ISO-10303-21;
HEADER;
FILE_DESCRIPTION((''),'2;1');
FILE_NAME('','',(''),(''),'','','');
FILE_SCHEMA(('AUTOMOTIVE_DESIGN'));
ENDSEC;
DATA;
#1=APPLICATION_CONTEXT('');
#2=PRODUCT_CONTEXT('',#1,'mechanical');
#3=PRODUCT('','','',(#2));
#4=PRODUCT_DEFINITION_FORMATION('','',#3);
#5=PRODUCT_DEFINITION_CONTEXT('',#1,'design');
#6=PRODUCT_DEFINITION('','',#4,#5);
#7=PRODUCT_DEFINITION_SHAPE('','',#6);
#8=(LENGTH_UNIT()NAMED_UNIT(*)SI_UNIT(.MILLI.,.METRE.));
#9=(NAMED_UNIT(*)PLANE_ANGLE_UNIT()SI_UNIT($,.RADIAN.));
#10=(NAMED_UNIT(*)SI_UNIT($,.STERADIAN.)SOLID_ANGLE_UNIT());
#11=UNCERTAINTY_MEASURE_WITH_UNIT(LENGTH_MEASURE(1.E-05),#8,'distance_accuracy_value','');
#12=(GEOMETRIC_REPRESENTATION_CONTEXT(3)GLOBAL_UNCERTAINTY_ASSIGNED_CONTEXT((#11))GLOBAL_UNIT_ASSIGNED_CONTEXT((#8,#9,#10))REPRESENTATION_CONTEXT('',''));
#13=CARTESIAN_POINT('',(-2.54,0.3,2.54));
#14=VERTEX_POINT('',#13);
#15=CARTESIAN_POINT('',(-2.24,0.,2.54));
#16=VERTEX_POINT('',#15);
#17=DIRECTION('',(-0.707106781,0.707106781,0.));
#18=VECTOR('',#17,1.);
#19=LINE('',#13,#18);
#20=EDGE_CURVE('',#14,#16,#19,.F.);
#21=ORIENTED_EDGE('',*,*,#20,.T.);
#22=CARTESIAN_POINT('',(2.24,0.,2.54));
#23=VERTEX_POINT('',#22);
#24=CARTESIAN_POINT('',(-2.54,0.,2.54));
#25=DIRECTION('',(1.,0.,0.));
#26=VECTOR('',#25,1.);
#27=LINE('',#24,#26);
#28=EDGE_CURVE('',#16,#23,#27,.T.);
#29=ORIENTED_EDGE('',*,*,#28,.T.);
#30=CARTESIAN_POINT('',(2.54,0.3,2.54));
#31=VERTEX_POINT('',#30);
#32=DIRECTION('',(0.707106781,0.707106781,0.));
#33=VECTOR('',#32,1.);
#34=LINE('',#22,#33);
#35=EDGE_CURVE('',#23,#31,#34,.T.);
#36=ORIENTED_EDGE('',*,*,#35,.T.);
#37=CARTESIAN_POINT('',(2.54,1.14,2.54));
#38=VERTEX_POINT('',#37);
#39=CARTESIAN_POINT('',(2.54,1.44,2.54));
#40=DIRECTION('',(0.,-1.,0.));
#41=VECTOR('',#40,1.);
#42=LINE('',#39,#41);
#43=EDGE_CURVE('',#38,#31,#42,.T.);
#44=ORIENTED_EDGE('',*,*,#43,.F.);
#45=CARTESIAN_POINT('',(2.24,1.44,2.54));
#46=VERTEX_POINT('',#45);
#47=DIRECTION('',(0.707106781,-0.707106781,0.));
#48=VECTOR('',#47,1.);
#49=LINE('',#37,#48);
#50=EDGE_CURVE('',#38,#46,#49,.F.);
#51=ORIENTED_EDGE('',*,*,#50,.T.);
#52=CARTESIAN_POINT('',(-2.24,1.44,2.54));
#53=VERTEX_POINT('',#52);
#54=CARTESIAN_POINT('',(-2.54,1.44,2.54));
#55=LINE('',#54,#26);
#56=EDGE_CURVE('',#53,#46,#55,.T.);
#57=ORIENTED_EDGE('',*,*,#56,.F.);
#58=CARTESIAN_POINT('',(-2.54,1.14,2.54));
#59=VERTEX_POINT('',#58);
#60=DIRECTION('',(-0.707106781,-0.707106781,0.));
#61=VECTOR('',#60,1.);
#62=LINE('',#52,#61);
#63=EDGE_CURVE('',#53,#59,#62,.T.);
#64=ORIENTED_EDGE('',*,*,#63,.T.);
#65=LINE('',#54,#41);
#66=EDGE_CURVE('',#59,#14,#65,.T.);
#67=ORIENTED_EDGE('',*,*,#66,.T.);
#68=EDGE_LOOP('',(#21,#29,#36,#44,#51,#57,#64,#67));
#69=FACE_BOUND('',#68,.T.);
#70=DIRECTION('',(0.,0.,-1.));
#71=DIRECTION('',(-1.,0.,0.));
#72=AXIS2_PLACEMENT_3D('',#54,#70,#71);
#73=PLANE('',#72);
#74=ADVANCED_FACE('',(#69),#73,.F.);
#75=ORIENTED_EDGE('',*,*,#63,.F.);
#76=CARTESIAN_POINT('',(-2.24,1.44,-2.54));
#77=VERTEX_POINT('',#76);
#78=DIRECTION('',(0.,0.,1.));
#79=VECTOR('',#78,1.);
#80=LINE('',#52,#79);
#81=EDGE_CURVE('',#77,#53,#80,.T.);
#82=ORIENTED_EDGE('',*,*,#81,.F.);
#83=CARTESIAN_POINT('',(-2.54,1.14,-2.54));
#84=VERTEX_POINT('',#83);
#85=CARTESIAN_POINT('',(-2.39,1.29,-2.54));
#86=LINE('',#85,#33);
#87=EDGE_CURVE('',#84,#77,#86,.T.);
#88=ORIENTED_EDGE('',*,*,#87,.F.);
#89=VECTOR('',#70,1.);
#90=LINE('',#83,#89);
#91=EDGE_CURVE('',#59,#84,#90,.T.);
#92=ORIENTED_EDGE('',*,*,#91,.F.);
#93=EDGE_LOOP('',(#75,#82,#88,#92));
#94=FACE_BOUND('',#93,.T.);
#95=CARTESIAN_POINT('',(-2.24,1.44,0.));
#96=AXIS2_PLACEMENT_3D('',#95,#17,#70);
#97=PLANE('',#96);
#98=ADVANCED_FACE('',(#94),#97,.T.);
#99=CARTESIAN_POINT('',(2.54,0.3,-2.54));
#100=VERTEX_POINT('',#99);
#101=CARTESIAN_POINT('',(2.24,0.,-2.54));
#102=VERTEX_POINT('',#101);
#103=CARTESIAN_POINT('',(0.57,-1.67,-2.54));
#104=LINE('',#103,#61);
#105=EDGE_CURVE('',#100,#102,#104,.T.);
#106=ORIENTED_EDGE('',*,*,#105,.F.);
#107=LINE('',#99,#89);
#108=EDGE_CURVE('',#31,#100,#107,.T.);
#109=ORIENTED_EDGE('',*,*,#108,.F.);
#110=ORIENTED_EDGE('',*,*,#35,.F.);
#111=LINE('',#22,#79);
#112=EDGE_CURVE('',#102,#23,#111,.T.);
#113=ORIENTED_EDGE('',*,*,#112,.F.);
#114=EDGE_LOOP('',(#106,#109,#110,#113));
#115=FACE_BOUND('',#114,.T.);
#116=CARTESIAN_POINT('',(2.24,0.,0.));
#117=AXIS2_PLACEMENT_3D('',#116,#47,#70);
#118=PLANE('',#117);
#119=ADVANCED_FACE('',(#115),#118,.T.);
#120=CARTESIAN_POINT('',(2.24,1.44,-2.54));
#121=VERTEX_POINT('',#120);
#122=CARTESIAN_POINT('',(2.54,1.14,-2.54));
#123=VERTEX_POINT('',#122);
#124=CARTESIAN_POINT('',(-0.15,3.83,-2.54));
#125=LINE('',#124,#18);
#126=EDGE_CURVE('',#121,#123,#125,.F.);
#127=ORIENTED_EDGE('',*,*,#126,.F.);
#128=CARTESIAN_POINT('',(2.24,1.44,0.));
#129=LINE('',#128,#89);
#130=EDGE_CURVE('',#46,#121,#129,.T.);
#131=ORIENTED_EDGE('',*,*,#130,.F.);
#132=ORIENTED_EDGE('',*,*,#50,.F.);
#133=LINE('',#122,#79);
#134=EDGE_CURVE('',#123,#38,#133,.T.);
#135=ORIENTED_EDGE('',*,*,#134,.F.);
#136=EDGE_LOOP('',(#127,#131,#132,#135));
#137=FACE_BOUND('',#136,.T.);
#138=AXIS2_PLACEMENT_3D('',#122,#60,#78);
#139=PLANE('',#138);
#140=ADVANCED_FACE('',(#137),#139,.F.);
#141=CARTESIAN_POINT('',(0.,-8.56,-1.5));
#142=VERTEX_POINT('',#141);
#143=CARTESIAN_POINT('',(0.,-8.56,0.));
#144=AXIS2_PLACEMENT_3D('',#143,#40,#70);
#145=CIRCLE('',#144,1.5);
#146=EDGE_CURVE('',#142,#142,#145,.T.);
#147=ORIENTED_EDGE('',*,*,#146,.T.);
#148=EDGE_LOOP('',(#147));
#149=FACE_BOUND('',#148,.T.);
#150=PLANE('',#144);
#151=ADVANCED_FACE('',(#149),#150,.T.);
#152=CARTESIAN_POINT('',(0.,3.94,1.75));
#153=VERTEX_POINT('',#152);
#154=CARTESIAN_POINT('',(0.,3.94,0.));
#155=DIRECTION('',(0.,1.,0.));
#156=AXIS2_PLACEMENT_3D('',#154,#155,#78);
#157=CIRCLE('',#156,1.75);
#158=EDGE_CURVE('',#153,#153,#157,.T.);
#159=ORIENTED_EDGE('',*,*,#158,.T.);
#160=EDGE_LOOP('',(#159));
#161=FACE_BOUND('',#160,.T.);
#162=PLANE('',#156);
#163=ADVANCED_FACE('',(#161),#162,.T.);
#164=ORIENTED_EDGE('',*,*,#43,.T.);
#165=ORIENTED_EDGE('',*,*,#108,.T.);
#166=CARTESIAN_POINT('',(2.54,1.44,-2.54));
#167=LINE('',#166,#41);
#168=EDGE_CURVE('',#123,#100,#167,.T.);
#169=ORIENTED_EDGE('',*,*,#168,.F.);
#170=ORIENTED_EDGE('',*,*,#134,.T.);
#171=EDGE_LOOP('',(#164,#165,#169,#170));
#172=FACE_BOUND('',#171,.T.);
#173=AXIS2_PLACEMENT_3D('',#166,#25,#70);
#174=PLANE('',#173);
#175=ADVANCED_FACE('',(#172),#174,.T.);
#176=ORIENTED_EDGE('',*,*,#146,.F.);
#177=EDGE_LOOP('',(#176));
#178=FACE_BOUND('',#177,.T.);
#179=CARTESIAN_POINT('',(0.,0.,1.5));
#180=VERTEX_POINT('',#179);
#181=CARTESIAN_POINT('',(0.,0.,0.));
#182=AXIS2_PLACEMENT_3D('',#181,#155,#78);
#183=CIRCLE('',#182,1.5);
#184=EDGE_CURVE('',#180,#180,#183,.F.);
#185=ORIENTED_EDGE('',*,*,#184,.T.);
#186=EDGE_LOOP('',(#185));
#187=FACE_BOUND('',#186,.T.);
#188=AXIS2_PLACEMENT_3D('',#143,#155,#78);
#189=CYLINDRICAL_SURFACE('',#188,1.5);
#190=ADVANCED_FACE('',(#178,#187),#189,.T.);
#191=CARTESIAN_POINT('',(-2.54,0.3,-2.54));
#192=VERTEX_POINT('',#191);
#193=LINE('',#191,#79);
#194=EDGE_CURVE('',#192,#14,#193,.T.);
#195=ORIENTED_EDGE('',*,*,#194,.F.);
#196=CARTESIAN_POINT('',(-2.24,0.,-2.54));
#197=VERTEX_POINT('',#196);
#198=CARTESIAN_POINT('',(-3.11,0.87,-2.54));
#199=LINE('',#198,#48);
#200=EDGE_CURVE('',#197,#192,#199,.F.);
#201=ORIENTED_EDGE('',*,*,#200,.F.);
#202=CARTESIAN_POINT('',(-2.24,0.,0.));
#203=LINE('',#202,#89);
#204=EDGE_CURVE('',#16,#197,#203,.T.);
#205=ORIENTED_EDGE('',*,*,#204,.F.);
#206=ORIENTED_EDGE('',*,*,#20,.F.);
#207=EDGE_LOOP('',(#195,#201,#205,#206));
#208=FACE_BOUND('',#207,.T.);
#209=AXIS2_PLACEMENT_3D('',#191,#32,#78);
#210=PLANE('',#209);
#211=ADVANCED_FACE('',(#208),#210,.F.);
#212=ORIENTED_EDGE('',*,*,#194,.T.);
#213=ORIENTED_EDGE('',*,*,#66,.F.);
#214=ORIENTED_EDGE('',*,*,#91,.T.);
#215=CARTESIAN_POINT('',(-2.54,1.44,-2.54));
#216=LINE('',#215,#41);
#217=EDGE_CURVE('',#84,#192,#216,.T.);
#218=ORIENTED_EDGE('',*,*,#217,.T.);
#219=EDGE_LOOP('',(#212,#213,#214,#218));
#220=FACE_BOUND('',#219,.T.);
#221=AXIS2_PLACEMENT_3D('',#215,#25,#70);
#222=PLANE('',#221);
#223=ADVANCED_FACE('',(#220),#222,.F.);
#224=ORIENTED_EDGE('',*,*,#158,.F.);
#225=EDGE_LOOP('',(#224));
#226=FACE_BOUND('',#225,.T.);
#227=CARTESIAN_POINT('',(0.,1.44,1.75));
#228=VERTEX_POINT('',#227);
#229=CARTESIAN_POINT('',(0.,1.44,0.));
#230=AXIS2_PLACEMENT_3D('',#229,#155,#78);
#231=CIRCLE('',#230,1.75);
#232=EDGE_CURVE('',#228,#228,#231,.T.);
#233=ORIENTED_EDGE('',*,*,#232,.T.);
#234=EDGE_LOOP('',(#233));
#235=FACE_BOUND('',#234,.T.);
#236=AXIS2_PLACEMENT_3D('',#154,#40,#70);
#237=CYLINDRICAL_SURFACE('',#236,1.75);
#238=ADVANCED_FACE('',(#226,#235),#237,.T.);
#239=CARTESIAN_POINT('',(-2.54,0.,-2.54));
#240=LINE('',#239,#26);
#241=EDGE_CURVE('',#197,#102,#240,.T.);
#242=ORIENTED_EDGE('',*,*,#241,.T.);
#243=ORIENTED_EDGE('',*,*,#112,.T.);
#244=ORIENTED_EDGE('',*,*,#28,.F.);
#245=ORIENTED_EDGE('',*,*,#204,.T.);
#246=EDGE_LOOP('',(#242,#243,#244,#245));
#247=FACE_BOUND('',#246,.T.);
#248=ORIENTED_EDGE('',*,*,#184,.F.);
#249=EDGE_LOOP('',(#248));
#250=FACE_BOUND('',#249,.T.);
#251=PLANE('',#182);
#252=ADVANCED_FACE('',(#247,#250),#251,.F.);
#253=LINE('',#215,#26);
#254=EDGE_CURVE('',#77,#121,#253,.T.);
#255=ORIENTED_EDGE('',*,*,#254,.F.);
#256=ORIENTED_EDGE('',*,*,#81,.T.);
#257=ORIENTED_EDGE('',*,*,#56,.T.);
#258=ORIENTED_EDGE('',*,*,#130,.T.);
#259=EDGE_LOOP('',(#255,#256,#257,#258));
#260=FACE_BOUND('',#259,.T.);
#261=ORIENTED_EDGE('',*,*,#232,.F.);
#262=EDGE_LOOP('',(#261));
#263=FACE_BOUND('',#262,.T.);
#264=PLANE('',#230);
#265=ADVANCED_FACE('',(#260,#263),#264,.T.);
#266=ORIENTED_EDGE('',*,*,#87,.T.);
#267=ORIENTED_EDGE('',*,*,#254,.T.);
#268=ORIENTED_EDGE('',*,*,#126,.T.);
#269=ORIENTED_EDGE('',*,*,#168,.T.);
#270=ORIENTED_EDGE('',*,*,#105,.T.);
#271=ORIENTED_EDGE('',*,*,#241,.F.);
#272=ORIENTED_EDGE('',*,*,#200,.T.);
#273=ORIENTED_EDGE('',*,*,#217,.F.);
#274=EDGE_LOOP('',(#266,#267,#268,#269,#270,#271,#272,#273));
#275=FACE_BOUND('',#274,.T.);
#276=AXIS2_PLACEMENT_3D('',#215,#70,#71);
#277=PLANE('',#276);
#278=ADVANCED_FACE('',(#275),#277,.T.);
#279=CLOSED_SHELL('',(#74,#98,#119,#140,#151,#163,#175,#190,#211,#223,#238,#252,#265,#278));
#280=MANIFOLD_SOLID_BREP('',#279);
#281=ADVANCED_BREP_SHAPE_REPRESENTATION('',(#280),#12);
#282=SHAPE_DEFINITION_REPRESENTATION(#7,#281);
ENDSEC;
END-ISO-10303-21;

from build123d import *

# Parameters (mm, degrees)
SKETCH1_W           = 5.08
SKETCH1_H           = 5.08
BOSS_EXTRUDE1_DEPTH = 1.44
SKETCH2_R           = 1.5
BOSS_EXTRUDE2_DEPTH = 10
SKETCH3_R           = 1.75
BOSS_EXTRUDE3_DEPTH = 2.5
CHAMFER1_SIZE       = 0.3


with BuildPart() as part:
    # Sketch1 → Boss-Extrude1 (new body)
    with BuildSketch(Plane(origin=(0, 0, 0), x_dir=(1, 0, 0), z_dir=(0, 1, 0))):
        Rectangle(SKETCH1_W, SKETCH1_H)
    extrude(amount=BOSS_EXTRUDE1_DEPTH)

    # Sketch2 → Boss-Extrude2 (add)
    with BuildSketch(Plane.XZ.offset(-1.44)):
        with Locations(Location((0, 0, 0), (0, 0, 90))):
            Circle(SKETCH2_R)
    extrude(amount=BOSS_EXTRUDE2_DEPTH)

    # Sketch3 → Boss-Extrude3 (add)
    with BuildSketch(Plane(origin=(0, 1.44, 0), x_dir=(1, 0, 0), z_dir=(0, 1, 0))):
        with Locations(Location((0, 0, 0), (0, 0, 270))):
            Circle(SKETCH3_R)
    extrude(amount=BOSS_EXTRUDE3_DEPTH)

    # Chamfer1
    chamfer1_edges = [part.edges().sort_by_distance(p)[0] for p in [
        (2.54, 1.44, 0),
        (-2.54, 1.44, 0),
        (2.54, 0, 0),
        (-2.54, 0, 0),
    ]]
    chamfer(chamfer1_edges, length=CHAMFER1_SIZE)


solid = part.part
